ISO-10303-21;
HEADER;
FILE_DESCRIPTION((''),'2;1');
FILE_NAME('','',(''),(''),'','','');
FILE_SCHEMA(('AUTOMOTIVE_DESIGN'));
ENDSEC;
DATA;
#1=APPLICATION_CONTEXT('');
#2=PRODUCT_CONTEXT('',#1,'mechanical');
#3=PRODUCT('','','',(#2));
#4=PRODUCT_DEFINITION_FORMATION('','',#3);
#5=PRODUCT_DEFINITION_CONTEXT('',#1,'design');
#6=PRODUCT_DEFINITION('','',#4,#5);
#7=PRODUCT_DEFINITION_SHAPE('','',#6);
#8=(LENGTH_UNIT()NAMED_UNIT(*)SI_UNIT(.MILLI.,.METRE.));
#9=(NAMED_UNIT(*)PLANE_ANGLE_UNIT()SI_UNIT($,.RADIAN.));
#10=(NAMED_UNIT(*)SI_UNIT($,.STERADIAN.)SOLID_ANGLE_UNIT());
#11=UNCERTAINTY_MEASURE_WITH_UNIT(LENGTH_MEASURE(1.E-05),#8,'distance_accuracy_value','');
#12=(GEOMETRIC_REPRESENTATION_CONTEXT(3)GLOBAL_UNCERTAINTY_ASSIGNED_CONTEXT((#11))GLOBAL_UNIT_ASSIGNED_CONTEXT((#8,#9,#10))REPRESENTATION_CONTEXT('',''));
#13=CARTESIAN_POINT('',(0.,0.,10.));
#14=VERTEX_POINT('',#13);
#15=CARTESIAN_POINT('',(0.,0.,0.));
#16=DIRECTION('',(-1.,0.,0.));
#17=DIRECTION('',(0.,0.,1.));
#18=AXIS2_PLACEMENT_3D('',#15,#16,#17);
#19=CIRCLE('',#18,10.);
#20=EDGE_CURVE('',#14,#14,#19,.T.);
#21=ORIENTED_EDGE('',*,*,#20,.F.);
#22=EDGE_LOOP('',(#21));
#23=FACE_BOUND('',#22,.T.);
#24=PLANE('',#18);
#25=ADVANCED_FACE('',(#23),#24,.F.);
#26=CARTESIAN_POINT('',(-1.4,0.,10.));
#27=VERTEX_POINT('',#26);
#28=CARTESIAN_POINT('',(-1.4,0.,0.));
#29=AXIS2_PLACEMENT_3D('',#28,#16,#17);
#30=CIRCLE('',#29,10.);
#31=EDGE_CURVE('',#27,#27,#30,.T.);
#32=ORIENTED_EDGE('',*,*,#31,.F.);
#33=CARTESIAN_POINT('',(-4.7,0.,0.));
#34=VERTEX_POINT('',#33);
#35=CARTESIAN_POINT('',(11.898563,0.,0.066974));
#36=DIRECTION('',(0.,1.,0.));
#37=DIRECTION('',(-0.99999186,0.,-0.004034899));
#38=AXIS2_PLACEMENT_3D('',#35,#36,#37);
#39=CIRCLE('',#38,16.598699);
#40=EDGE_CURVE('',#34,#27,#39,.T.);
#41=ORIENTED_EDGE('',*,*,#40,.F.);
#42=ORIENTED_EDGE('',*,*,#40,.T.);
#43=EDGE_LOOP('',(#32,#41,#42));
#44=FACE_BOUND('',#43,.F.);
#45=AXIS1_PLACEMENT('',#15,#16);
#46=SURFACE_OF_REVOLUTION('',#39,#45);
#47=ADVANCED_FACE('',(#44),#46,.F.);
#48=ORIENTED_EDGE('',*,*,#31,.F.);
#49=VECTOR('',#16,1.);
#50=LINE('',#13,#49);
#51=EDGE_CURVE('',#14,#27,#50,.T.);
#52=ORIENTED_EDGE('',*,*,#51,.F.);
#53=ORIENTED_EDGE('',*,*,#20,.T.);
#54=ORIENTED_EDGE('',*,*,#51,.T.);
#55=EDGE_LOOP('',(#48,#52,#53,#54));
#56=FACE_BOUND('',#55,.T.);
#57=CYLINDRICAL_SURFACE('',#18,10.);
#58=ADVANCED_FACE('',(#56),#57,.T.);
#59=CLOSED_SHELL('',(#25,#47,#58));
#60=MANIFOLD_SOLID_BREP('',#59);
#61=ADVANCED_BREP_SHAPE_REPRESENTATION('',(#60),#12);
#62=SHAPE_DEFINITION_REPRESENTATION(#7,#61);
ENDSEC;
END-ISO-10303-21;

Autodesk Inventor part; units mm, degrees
ref_plane "YZ Plane" through (0, 0, 0) normal (1, 0, 0) x (0, 1, 0)
ref_plane "XZ Plane" through (0, 0, 0) normal (0, 1, 0) x (-1, 0, 0)
ref_plane "XY Plane" through (0, 0, 0) normal (0, 0, 1) x (1, 0, 0)
sketch "Sketch1" plane through (0, 0, 0) normal (0, 1, 0) x (-1, 0, 0)
  line L0 (0, 0) -> (0, 10)
  line L1 (0, 10) -> (1.4, 10)
  line L2 (0, 0) -> (4.7, 0)
  line L3 (0, 0) -> (4.7, 0) construction
  arc A0 (4.7, 0) -> (1.4, 10) centre (-11.8984, 0.067) ccw
  line L4 (4.7, 0) -> (0, 0)
  line L5 (0, 0) -> (0, 10)
  line L6 (1.4, 10) -> (0, 10)
  dimension "d0" = 10
  dimension "d1" = 1.4
  dimension "d2" = 90
  dimension "d3" = 4.7
  dimension "d4" = 0
revolve "Revolution1" add sketch "Sketch1" angle 360 about axis through (0, 0, 0) along (-1, 0, 0)
properties part number "00_CUBE_openSIM_Beamexpander_Lens_20mm_Edmundoptics"
